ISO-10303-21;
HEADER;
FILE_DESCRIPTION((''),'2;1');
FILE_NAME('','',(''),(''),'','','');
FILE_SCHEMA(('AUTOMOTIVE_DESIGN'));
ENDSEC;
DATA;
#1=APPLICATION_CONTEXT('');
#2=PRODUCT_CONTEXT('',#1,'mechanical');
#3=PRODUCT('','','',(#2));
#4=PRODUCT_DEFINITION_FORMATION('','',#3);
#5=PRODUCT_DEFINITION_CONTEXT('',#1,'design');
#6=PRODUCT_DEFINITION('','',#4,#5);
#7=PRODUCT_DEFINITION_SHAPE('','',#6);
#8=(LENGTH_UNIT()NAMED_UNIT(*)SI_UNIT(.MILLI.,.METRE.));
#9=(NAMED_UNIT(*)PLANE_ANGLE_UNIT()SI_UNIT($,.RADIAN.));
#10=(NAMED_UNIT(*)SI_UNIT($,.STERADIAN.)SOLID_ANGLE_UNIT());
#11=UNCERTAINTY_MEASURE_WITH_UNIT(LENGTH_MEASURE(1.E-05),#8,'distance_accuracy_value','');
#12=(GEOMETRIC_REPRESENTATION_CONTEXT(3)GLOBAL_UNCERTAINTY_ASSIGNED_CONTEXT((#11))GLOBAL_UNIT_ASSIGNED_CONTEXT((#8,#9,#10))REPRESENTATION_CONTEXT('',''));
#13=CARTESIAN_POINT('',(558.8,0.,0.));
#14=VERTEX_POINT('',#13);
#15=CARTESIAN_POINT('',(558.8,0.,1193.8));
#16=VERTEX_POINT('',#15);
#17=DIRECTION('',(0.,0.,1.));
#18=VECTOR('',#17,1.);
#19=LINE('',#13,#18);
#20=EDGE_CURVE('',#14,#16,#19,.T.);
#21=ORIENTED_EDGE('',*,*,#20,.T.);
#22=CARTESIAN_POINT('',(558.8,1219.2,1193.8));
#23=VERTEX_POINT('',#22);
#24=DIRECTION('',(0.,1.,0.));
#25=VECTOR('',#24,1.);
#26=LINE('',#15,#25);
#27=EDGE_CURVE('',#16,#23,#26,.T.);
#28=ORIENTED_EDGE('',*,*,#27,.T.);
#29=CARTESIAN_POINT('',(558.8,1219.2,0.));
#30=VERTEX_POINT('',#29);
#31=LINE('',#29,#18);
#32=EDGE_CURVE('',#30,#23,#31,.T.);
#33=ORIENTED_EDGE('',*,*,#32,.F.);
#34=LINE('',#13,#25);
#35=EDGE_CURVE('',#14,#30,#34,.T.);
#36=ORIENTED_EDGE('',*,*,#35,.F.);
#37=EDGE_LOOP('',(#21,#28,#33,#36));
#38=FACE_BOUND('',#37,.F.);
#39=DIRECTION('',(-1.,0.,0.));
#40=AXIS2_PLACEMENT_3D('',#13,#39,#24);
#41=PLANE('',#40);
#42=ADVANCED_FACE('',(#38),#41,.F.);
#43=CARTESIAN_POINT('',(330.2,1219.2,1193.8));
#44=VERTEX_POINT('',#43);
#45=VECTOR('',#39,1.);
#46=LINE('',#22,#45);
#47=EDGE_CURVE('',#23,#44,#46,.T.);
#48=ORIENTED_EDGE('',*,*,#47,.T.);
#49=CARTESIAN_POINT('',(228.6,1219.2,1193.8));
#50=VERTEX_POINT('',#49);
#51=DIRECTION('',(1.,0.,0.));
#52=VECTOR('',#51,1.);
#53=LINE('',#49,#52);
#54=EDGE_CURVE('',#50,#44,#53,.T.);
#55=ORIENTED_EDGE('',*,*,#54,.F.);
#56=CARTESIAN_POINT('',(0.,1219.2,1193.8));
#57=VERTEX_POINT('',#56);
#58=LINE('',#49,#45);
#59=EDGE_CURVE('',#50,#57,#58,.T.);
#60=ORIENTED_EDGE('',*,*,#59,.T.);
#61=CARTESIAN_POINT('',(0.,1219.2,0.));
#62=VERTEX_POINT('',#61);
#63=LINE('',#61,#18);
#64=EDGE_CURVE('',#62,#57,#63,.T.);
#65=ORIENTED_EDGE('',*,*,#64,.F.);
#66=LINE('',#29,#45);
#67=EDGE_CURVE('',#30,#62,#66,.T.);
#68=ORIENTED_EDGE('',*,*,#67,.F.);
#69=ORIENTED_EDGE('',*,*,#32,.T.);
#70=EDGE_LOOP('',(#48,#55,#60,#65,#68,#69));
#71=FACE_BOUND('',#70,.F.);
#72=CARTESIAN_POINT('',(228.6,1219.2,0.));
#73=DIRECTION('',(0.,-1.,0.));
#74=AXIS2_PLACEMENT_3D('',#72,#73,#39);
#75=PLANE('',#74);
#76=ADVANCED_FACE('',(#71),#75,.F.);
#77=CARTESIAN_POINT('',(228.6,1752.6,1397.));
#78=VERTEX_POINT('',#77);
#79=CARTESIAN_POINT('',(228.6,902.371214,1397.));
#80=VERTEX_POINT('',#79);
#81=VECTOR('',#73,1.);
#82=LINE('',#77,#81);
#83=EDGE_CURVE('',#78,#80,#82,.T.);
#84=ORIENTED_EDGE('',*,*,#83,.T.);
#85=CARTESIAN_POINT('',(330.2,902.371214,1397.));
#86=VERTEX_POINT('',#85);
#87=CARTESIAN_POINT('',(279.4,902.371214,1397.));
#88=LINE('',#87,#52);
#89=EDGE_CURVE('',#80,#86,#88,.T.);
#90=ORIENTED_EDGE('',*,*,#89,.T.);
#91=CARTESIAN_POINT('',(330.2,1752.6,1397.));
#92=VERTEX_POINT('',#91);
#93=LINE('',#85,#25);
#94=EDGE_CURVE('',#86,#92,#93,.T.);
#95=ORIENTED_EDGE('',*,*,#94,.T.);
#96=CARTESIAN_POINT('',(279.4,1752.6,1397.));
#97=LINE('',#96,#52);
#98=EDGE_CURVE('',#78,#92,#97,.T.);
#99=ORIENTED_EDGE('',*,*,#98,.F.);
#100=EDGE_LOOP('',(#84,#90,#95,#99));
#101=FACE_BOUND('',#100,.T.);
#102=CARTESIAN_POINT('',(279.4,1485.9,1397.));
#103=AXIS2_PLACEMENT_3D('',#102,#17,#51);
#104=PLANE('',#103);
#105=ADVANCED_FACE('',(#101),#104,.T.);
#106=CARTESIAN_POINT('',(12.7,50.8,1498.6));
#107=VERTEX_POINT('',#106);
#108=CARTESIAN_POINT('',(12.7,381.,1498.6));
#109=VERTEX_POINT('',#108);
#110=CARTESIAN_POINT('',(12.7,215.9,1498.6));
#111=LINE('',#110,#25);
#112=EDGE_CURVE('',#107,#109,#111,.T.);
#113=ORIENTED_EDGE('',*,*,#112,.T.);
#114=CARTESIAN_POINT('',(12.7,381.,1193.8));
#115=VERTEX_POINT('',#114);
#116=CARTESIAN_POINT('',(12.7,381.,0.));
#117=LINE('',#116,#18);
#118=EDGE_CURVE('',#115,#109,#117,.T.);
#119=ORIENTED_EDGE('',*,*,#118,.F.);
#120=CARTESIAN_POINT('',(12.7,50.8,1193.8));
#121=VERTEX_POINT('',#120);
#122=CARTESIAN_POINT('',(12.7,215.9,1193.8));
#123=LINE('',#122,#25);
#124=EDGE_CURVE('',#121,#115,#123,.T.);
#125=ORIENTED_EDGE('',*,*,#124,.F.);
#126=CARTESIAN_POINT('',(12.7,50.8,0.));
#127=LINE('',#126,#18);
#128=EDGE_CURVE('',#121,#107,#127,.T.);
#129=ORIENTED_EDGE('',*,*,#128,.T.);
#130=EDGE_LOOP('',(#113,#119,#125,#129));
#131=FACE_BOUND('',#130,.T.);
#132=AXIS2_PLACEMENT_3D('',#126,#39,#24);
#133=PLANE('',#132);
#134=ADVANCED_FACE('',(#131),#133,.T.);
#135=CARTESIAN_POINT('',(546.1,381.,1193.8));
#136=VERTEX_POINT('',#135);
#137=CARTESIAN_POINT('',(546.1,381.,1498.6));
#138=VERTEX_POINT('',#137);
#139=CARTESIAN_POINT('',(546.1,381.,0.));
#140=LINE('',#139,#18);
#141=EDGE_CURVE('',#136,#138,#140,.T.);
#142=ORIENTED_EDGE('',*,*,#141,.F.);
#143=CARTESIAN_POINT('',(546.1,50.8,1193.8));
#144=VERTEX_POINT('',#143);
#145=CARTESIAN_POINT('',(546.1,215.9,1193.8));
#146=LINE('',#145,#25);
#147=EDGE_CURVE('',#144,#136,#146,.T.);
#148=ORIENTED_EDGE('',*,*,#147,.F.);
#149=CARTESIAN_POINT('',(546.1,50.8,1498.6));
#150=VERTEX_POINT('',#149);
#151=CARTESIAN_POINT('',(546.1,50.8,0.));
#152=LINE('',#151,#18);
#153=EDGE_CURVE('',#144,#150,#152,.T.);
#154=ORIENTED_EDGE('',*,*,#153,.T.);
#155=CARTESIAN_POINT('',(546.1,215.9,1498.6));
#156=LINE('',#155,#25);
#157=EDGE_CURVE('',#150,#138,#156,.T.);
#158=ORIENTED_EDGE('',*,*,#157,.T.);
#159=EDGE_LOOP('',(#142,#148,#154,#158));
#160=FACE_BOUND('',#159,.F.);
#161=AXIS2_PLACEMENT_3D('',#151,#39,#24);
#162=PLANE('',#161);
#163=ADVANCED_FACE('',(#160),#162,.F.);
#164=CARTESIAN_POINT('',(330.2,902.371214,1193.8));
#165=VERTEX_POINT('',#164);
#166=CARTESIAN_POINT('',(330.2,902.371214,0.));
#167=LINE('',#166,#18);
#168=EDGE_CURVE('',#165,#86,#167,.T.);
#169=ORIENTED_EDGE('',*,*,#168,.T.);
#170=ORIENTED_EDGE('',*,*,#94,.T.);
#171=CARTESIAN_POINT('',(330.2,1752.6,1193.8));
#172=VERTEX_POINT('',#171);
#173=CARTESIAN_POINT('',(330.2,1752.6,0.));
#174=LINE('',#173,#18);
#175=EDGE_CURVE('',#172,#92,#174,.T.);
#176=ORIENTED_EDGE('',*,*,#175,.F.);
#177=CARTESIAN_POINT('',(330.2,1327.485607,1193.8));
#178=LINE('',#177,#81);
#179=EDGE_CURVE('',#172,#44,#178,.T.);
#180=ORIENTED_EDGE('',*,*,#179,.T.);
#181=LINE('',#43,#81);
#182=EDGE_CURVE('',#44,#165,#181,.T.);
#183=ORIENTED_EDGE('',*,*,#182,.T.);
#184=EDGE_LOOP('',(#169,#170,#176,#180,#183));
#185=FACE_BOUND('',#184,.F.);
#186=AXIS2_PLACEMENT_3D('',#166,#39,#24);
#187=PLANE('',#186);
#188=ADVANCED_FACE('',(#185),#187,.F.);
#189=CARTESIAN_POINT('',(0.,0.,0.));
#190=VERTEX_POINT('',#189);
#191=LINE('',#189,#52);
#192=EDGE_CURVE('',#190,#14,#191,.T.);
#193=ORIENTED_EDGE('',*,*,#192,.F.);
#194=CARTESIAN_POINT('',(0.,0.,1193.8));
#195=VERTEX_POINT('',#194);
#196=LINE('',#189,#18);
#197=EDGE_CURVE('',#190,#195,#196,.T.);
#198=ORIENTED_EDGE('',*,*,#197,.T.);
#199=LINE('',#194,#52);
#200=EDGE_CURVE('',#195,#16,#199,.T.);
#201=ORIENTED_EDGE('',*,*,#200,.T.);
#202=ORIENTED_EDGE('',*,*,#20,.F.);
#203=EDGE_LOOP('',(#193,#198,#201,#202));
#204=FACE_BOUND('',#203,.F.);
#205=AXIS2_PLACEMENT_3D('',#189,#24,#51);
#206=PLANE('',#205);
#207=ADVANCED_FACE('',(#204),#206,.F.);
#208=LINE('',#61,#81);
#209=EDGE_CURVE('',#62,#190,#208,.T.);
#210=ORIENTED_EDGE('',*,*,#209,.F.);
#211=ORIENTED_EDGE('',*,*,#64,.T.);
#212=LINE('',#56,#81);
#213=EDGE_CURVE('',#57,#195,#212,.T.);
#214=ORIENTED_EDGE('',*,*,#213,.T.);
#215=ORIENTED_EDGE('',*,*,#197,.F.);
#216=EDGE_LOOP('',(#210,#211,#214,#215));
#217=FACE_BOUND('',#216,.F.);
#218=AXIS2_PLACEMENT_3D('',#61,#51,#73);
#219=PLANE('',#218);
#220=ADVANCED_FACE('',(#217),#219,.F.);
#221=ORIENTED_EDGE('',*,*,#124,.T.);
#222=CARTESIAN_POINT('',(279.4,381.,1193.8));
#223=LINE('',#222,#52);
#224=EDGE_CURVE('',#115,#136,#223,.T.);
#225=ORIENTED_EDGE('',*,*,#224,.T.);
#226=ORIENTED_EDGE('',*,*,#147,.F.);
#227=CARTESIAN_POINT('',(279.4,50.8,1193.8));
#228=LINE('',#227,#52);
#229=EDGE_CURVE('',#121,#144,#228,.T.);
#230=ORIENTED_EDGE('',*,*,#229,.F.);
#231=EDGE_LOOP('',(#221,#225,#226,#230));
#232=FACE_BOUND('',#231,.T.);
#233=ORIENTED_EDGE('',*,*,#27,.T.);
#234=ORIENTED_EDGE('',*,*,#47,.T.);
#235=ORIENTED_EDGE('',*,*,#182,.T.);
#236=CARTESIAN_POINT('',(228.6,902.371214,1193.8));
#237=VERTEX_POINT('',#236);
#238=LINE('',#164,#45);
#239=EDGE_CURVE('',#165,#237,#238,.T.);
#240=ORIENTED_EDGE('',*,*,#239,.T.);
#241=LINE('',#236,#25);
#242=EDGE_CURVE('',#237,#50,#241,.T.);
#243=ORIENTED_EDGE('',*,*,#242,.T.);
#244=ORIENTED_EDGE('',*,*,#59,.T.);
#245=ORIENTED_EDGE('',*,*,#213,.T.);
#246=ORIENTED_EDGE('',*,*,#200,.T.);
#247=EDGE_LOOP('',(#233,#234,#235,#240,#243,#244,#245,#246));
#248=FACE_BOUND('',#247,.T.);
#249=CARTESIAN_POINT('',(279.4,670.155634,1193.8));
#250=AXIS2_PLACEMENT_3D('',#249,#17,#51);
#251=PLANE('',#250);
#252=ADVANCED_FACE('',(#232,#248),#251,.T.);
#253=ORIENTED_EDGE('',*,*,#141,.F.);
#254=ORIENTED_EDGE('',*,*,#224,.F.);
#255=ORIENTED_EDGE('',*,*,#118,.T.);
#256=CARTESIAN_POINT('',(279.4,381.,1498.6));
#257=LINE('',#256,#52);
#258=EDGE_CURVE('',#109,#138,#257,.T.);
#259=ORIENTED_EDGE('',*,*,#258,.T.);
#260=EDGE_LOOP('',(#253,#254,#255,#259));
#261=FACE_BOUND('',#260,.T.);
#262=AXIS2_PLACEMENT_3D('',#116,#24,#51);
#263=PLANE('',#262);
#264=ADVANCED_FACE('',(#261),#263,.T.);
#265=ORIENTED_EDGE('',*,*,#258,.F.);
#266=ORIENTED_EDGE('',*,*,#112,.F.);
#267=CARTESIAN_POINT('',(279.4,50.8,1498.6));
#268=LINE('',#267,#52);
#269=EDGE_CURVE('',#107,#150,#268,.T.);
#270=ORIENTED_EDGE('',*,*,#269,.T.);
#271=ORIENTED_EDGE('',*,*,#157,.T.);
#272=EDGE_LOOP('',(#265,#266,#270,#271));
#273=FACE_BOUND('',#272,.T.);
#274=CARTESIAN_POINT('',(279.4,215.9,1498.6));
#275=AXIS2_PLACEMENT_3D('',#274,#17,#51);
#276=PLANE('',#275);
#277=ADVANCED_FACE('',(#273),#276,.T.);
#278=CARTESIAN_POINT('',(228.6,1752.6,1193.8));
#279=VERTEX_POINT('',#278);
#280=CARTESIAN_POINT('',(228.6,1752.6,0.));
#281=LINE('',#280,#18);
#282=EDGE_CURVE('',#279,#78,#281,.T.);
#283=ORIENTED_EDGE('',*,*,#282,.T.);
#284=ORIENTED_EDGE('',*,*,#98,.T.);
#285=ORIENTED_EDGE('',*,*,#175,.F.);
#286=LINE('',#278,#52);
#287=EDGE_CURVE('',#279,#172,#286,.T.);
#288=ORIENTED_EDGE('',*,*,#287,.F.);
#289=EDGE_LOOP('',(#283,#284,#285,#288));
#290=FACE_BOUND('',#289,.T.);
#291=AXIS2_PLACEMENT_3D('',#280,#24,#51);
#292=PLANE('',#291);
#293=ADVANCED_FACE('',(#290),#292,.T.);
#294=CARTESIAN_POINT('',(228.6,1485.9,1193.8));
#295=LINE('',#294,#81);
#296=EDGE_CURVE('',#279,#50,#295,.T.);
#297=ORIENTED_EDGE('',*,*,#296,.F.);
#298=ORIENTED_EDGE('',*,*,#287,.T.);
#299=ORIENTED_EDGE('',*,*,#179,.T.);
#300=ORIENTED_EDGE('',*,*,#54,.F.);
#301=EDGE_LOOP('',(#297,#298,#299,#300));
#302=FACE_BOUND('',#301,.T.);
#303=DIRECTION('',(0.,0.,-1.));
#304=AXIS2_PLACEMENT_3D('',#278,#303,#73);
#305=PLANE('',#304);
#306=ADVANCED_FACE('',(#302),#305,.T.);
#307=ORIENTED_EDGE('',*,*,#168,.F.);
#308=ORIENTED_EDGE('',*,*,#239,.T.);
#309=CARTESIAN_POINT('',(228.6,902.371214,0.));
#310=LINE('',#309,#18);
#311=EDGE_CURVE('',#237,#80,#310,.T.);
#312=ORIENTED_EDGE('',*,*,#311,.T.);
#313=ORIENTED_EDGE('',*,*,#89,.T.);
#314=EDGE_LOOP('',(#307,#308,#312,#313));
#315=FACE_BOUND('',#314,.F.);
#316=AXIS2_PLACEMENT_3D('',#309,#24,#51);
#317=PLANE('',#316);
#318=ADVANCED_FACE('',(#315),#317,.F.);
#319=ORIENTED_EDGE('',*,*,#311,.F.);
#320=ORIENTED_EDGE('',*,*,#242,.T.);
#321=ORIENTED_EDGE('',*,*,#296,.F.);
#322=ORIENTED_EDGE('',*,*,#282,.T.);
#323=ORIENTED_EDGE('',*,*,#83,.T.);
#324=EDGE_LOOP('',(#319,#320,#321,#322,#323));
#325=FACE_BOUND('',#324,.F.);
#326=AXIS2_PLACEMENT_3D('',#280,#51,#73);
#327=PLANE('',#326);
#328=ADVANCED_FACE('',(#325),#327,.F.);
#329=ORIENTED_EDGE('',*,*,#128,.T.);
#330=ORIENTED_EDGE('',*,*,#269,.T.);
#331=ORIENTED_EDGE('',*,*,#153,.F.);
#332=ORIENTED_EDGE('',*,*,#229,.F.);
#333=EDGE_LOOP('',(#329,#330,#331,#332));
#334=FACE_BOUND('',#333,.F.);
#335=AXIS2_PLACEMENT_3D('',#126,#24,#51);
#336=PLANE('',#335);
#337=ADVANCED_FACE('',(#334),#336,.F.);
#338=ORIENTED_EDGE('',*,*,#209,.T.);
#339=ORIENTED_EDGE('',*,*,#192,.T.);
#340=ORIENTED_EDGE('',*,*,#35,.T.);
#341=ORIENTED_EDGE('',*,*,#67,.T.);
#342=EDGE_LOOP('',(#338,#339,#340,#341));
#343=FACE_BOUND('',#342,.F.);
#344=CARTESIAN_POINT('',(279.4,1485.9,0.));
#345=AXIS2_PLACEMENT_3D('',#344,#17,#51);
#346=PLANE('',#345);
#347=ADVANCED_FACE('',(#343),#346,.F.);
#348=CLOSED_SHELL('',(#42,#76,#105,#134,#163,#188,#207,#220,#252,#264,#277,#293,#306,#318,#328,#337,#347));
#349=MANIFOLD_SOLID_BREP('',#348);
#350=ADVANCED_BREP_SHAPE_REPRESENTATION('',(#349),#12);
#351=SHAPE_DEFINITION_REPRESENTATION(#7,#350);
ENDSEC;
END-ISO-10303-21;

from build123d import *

# Parameters (mm, degrees)
F0_W     = 533.4
F0_H     = 330.2
F1_DEPTH = 1193.8
F0_W_2   = 101.6
F0_H_2   = 533.4
F0_H_3   = 316.828786
F2_DEPTH = 1397
F3_DEPTH = 1498.6
F4_W     = 533.4
F4_H     = 1193.8
F5_DEPTH = 330.201


with BuildPart() as f1:
    # F0 (on Top) → F1 (new body)
    with BuildSketch(Plane.XY):
        Polygon((0, 1219.2), (0, 0), (558.8, 0), (558.8, 1219.2), (330.2, 1219.2), (330.2, 902.371214), (228.6, 902.371214), (228.6, 1219.2), align=None)
        with Locations((279.4, 215.9)):
            Rectangle(F0_W, F0_H, mode=Mode.SUBTRACT)
    extrude(amount=F1_DEPTH)

    # F0 (on Top) → F2 (join)
    with BuildSketch(Plane.XY):
        with Locations((279.4, 1485.9)):
            Rectangle(F0_W_2, F0_H_2)
        with Locations((279.4, 1060.785607)):
            Rectangle(F0_W_2, F0_H_3)
    extrude(amount=F2_DEPTH)

    # F0 (on Top) → F3 (join)
    with BuildSketch(Plane.XY):
        with Locations((279.4, 215.9)):
            Rectangle(F0_W, F0_H)
    extrude(amount=F3_DEPTH)

    # F4 (on face) → F5 (cut, through all)
    with BuildSketch(Plane(origin=(228.6, 0, 0), x_dir=(0, -1, 0), z_dir=(-1, 0, 0))):
        with Locations((-1485.9, 596.9)):
            Rectangle(F4_W, F4_H)
    extrude(amount=-F5_DEPTH, mode=Mode.SUBTRACT)


solid = f1.part
